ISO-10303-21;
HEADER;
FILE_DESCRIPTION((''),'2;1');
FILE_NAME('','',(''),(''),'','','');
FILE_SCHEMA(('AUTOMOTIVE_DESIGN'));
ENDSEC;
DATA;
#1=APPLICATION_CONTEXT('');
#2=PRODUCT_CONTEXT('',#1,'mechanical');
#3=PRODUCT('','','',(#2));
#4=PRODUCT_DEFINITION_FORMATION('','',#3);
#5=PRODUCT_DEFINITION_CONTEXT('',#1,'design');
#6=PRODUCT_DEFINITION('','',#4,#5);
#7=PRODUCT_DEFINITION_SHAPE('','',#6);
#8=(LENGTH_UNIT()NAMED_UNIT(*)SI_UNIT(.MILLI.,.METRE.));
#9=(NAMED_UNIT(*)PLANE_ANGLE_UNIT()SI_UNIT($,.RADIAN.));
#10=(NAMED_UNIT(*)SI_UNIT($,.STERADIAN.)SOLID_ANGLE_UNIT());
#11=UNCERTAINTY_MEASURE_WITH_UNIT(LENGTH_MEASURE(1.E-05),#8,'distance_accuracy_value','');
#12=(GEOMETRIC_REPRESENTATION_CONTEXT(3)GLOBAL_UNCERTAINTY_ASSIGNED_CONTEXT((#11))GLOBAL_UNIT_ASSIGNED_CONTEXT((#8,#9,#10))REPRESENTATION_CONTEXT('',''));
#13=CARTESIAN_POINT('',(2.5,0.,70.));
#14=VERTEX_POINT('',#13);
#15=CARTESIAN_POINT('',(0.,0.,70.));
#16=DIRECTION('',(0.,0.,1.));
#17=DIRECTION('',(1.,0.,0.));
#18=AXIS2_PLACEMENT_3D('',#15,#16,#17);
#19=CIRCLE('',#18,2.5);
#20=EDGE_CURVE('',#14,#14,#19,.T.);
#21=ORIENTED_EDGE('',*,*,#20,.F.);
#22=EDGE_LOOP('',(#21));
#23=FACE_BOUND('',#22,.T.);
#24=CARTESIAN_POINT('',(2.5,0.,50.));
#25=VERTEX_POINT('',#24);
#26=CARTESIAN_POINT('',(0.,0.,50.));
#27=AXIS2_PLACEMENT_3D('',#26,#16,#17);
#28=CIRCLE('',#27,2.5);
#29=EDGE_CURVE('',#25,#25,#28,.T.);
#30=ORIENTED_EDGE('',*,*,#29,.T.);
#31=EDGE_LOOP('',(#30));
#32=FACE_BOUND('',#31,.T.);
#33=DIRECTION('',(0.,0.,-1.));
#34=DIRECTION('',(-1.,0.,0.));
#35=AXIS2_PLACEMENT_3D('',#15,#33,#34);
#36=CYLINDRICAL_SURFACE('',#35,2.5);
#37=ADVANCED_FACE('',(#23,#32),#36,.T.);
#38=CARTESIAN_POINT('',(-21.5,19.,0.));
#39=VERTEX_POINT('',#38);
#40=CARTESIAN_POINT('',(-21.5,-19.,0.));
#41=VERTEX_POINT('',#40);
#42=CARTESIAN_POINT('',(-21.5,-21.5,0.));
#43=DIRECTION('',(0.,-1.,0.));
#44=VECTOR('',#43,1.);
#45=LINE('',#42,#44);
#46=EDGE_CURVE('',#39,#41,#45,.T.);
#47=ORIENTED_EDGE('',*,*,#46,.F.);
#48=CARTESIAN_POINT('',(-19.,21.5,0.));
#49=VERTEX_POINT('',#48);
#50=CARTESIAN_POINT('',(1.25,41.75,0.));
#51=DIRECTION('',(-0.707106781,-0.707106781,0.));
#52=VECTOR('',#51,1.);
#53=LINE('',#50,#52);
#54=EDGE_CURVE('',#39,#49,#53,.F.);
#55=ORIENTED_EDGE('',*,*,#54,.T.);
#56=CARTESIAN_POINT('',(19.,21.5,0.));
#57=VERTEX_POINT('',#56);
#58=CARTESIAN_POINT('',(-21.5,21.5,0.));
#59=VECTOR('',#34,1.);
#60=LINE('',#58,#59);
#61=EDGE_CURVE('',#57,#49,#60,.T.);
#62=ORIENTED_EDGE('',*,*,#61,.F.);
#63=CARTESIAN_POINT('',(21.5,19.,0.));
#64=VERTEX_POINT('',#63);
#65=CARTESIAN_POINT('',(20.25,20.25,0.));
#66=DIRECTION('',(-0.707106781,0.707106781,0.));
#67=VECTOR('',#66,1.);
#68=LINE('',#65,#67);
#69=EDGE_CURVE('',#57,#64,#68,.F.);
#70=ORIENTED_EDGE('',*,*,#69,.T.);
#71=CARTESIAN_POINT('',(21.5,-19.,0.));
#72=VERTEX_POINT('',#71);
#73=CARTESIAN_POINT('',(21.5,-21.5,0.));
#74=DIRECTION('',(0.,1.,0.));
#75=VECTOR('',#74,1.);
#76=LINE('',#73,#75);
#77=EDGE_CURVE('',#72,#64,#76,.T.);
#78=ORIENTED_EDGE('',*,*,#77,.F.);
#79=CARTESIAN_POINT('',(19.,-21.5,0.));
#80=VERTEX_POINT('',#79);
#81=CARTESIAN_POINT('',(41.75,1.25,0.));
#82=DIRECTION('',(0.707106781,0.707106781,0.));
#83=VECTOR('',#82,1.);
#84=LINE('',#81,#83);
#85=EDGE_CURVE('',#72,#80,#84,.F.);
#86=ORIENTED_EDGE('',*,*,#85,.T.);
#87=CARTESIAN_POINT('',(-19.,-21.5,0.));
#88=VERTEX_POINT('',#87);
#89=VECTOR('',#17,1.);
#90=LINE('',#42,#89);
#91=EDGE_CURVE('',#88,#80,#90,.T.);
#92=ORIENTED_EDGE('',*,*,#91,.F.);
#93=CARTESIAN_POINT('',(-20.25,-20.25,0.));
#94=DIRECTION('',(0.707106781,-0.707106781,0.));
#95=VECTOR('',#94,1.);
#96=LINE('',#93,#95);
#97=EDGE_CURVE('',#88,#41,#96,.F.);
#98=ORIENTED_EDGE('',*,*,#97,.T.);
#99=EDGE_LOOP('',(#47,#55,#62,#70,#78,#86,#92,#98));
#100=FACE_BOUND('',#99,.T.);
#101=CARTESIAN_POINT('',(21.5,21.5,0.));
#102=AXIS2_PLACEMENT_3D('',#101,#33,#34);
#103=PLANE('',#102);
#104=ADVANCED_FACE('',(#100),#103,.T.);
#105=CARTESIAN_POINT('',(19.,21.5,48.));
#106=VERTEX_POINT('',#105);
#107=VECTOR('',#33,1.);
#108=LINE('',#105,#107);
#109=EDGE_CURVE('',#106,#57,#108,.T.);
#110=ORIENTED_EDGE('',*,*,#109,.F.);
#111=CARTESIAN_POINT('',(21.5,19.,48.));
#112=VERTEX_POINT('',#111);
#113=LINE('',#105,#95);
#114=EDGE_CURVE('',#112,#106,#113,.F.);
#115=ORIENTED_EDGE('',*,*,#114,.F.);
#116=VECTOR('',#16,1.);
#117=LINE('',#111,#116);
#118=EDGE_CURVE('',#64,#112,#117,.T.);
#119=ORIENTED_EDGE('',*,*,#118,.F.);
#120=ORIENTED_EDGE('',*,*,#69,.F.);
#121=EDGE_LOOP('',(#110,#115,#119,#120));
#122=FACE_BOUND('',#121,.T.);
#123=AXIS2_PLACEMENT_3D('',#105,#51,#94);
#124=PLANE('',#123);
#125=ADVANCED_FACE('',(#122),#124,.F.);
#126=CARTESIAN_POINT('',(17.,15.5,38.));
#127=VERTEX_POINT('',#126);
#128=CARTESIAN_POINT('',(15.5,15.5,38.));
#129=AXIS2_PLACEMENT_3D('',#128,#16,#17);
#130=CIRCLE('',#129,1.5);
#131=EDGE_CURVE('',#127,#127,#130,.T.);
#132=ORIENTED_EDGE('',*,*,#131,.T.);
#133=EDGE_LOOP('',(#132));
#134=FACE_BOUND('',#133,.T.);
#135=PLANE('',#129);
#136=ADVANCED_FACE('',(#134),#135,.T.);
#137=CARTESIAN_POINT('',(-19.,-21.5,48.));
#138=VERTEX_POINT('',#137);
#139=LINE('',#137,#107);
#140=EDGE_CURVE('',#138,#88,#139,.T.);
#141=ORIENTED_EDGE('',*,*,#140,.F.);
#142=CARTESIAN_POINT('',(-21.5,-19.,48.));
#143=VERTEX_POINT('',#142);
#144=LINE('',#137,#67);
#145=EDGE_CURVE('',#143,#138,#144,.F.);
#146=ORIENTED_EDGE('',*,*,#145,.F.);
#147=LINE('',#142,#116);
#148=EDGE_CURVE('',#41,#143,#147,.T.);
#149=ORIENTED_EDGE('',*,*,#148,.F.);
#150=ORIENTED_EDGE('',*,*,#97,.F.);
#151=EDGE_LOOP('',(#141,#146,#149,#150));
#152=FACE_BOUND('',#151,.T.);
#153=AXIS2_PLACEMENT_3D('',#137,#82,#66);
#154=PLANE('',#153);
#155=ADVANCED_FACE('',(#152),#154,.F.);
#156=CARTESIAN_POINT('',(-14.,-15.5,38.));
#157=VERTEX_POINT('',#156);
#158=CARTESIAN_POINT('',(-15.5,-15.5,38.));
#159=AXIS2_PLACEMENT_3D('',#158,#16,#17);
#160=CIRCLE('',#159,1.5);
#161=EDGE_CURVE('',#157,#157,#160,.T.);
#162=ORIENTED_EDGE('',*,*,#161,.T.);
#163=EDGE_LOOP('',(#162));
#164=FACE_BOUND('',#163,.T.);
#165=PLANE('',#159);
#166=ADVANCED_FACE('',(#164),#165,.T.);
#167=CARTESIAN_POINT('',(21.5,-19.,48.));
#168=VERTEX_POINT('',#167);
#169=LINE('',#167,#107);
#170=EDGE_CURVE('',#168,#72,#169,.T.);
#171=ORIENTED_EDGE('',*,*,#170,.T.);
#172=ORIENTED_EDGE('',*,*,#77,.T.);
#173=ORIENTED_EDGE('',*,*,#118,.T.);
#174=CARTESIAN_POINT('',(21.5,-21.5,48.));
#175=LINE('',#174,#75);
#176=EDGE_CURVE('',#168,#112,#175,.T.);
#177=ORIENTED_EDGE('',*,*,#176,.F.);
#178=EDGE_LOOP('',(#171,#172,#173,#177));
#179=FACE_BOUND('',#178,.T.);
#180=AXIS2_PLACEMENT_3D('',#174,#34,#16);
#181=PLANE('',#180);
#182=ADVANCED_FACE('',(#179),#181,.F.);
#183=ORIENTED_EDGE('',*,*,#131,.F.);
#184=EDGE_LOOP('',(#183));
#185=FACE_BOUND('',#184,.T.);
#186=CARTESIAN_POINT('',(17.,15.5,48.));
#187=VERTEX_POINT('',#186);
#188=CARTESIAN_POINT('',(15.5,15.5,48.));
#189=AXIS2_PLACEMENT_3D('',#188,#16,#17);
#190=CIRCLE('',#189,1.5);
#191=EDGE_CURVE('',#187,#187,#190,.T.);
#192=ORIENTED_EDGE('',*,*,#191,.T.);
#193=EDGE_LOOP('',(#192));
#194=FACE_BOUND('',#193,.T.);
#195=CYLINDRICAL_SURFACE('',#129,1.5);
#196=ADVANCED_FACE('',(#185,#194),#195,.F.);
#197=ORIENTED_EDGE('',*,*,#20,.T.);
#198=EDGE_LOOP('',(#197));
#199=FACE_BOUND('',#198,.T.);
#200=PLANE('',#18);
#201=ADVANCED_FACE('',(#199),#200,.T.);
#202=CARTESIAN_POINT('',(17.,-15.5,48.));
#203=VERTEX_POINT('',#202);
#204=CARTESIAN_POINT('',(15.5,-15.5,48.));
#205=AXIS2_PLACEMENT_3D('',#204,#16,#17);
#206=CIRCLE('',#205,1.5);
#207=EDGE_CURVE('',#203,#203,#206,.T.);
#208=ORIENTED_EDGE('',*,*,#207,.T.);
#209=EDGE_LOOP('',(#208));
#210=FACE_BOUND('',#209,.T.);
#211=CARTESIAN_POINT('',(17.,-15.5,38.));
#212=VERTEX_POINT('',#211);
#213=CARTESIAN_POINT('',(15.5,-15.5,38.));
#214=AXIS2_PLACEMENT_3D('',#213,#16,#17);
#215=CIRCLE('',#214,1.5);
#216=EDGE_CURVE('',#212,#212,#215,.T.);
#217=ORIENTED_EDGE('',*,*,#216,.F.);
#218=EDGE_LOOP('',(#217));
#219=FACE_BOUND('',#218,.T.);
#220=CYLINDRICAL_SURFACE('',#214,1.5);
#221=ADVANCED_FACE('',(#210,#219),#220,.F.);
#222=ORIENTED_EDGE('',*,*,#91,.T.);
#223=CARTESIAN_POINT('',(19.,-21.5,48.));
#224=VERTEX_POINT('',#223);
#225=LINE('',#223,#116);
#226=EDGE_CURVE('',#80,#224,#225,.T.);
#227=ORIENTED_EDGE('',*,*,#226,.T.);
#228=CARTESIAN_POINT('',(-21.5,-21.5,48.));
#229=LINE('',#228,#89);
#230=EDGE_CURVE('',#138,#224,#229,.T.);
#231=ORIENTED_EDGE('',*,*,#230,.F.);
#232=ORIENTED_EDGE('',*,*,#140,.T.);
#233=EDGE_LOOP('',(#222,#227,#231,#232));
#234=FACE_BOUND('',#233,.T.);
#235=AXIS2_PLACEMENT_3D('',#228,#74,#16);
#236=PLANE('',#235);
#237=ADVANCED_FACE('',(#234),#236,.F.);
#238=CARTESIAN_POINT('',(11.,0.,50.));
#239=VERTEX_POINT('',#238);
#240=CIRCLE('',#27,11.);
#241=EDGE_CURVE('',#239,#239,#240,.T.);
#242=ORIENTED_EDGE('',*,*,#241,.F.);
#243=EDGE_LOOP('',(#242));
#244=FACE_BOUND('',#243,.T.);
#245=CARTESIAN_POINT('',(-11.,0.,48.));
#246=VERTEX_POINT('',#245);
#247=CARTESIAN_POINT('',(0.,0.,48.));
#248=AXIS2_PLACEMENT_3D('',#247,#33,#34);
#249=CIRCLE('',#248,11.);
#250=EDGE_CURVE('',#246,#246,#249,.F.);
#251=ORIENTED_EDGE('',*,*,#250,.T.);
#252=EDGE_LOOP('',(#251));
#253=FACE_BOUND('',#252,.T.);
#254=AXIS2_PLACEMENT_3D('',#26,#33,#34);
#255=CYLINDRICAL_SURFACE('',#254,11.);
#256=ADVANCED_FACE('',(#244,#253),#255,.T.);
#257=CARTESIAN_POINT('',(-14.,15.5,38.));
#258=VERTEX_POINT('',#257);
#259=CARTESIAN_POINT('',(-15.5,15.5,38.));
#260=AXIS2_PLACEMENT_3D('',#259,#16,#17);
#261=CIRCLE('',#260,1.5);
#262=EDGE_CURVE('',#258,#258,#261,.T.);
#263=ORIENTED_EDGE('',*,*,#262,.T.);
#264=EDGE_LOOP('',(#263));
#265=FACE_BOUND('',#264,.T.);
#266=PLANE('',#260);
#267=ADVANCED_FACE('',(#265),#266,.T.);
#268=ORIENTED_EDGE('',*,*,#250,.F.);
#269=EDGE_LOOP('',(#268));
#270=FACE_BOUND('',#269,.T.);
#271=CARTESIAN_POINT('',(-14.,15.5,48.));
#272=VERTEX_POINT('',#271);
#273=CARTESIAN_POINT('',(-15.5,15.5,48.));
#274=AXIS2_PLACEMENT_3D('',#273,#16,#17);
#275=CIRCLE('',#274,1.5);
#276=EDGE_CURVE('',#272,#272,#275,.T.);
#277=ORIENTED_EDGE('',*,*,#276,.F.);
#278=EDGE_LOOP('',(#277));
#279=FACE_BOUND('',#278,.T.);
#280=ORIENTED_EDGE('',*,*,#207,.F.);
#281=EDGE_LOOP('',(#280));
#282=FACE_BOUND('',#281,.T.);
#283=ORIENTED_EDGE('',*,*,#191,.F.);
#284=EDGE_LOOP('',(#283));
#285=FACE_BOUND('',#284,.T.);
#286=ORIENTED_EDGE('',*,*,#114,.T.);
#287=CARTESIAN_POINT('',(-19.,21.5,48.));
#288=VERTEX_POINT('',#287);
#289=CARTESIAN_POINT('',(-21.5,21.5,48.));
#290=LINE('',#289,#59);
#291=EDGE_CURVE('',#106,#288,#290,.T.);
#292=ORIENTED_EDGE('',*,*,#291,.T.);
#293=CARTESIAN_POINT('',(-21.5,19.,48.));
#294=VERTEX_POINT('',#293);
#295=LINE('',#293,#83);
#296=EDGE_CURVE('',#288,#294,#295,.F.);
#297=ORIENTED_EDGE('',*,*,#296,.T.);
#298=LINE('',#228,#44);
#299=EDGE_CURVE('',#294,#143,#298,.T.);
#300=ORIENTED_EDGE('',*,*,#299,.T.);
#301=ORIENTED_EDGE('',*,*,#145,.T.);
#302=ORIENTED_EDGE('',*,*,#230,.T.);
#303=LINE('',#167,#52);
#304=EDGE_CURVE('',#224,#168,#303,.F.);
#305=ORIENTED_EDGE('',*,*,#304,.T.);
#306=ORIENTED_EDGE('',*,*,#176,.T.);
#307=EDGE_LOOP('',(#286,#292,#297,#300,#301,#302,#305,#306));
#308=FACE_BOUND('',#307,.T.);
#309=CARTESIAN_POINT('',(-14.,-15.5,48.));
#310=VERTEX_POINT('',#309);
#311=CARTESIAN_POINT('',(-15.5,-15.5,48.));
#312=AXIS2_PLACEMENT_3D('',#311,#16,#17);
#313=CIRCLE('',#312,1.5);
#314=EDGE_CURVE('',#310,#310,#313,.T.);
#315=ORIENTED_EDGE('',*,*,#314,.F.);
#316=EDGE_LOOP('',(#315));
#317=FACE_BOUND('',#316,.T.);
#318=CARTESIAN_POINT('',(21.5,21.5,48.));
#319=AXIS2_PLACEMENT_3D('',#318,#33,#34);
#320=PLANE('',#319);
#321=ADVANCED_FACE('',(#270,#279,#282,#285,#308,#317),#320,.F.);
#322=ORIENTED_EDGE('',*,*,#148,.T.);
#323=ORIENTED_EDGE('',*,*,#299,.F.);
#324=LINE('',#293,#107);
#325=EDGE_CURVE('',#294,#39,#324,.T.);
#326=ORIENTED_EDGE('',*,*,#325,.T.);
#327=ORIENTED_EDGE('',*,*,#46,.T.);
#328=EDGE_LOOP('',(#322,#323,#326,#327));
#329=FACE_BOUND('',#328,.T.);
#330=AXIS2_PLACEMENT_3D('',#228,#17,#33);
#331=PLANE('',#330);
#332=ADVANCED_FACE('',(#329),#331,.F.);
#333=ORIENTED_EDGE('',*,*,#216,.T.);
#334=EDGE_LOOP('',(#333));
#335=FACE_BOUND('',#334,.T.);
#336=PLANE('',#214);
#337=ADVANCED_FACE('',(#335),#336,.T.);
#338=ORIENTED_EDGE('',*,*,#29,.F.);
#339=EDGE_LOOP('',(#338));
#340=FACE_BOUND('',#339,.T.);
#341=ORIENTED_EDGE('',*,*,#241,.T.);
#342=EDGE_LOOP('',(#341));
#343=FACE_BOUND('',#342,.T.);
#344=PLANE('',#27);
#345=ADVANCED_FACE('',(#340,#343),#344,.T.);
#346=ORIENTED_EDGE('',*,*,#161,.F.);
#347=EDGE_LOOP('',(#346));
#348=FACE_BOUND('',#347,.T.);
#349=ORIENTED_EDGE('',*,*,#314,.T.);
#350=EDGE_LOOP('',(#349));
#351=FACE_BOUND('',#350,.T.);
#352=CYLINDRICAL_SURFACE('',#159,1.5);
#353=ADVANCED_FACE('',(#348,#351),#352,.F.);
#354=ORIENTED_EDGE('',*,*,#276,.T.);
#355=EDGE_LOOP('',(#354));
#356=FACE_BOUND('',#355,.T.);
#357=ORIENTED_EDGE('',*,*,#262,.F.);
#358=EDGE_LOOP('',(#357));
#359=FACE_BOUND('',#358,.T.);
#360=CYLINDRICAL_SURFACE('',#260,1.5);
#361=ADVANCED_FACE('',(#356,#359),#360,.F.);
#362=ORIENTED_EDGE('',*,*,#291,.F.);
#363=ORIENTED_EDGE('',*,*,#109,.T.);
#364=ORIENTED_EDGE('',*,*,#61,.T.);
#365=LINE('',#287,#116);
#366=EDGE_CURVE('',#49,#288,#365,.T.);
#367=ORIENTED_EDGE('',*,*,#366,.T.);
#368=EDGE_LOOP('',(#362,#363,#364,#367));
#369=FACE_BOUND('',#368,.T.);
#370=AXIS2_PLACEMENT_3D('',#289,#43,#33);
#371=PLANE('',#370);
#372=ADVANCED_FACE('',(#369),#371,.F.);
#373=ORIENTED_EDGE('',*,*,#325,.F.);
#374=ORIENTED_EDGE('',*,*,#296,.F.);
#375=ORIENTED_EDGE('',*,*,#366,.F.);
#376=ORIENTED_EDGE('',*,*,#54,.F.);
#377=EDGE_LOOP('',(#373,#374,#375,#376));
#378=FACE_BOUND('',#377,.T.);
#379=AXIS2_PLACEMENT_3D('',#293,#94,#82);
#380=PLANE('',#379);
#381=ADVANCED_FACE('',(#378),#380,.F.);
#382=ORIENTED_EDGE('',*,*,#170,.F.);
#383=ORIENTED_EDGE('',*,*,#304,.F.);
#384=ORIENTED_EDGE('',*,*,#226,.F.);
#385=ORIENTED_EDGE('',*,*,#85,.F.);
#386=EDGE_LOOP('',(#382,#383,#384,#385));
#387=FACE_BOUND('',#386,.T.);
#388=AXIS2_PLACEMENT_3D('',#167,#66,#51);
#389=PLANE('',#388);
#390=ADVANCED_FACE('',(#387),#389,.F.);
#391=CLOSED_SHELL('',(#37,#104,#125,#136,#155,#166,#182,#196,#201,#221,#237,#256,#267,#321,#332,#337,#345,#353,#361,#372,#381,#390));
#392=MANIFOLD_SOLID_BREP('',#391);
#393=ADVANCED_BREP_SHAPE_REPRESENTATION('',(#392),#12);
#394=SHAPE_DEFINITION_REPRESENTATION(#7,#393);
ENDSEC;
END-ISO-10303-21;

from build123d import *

# Parameters (mm, degrees)
SKETCH1_W           = 43
SKETCH1_H           = 43
BOSS_EXTRUDE1_DEPTH = 48
CHAMFER1_SIZE       = 2.5
SKETCH2_R           = 11
BOSS_EXTRUDE2_DEPTH = 2
SKETCH3_R           = 2.5
BOSS_EXTRUDE3_DEPTH = 20
SKETCH4_R           = 1.5
CUT_EXTRUDE1_DEPTH  = 10


with BuildPart() as part:
    # Sketch1 → Boss-Extrude1 (new body)
    with BuildSketch(Plane.XY):
        Rectangle(SKETCH1_W, SKETCH1_H)
    extrude(amount=BOSS_EXTRUDE1_DEPTH)

    # Chamfer1
    chamfer1_edges = [part.edges().sort_by_distance(p)[0] for p in [
        (21.5, -21.5, 24),
        (-21.5, -21.5, 24),
        (-21.5, 21.5, 24),
        (21.5, 21.5, 24),
    ]]
    chamfer(chamfer1_edges, length=CHAMFER1_SIZE)

    # Sketch2 → Boss-Extrude2 (add)
    with BuildSketch(Plane.XY.offset(48)):
        Circle(SKETCH2_R)
    extrude(amount=BOSS_EXTRUDE2_DEPTH)

    # Sketch3 → Boss-Extrude3 (add)
    with BuildSketch(Plane.XY.offset(50)):
        Circle(SKETCH3_R)
    extrude(amount=BOSS_EXTRUDE3_DEPTH)

    # Sketch4 → Cut-Extrude1 (cut)
    with BuildSketch(Plane.XY.offset(48)):
        with Locations((-15.5, 15.5)):
            Circle(SKETCH4_R)
        with Locations((15.5, 15.5)):
            Circle(SKETCH4_R)
        with Locations((15.5, -15.5)):
            Circle(SKETCH4_R)
        with Locations((-15.5, -15.5)):
            Circle(SKETCH4_R)
    extrude(amount=-CUT_EXTRUDE1_DEPTH, mode=Mode.SUBTRACT)


solid = part.part
